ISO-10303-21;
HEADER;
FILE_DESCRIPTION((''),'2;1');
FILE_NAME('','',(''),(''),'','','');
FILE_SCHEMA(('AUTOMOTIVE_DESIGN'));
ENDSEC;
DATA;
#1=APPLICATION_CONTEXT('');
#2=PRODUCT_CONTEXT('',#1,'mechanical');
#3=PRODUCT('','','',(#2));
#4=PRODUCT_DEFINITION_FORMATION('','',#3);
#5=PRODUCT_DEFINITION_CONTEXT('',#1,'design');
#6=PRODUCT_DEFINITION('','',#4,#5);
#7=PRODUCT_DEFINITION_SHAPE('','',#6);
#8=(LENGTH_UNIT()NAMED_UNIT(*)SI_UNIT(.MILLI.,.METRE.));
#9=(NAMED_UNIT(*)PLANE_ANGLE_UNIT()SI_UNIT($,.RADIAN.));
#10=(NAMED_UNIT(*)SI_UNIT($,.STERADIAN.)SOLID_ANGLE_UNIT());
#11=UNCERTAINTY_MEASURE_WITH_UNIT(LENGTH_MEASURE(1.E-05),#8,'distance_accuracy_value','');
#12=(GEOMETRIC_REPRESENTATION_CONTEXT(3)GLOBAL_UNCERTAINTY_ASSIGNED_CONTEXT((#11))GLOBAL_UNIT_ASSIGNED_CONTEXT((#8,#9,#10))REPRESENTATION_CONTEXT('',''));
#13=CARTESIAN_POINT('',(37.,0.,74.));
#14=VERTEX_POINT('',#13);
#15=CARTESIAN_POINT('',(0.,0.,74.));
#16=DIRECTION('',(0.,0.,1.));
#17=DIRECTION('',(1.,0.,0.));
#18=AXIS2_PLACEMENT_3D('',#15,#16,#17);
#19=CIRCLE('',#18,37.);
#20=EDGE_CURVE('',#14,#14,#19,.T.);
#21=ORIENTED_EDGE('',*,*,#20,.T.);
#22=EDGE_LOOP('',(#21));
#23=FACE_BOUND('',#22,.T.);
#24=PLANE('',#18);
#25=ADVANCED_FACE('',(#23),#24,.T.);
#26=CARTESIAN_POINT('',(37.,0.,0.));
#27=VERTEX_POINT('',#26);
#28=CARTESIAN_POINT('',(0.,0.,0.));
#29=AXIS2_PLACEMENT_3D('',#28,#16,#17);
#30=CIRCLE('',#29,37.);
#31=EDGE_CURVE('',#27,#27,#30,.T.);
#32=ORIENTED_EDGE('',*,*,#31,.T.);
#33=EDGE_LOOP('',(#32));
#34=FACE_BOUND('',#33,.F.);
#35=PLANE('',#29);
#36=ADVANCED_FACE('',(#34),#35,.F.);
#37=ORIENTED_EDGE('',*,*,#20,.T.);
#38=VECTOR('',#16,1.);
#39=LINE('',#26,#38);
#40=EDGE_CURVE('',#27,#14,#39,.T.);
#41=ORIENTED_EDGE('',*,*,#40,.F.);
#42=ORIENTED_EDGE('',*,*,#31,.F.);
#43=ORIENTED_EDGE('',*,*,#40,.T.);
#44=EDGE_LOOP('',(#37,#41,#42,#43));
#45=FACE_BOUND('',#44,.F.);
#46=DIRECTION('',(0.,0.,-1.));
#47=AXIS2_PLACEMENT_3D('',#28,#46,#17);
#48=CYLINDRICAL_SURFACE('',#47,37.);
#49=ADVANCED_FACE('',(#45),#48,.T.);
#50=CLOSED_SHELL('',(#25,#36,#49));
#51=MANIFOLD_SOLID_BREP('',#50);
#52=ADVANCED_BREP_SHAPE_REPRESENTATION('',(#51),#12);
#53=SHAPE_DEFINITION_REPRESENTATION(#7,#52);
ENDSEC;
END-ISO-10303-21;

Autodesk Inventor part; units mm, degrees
ref_plane "YZ Plane" through (0, 0, 0) normal (1, 0, 0) x (0, 1, 0)
ref_plane "XZ Plane" through (0, 0, 0) normal (0, 1, 0) x (-1, 0, 0)
ref_plane "XY Plane" through (0, 0, 0) normal (0, 0, 1) x (1, 0, 0)
sketch "Sketch1" plane through (0, 0, 0) normal (0, 0, 1) x (1, 0, 0)
  circle A0 centre (0, 0) radius 203
  line L0 (-129, -156.7418) -> (-129, -267)
  line L1 (-129, -267) -> (129, -267)
  line L2 (129, -267) -> (129, -156.7418)
  circle A1 centre (0, 0) radius 37
  dimension "d0" = 406
  dimension "d1" = 267
  dimension "d2" = 74
  dimension "d3" = 258
extrude "Extrusion1" add sketch "Sketch1" along normal blind 74 contours A1
properties part number "Layout"
